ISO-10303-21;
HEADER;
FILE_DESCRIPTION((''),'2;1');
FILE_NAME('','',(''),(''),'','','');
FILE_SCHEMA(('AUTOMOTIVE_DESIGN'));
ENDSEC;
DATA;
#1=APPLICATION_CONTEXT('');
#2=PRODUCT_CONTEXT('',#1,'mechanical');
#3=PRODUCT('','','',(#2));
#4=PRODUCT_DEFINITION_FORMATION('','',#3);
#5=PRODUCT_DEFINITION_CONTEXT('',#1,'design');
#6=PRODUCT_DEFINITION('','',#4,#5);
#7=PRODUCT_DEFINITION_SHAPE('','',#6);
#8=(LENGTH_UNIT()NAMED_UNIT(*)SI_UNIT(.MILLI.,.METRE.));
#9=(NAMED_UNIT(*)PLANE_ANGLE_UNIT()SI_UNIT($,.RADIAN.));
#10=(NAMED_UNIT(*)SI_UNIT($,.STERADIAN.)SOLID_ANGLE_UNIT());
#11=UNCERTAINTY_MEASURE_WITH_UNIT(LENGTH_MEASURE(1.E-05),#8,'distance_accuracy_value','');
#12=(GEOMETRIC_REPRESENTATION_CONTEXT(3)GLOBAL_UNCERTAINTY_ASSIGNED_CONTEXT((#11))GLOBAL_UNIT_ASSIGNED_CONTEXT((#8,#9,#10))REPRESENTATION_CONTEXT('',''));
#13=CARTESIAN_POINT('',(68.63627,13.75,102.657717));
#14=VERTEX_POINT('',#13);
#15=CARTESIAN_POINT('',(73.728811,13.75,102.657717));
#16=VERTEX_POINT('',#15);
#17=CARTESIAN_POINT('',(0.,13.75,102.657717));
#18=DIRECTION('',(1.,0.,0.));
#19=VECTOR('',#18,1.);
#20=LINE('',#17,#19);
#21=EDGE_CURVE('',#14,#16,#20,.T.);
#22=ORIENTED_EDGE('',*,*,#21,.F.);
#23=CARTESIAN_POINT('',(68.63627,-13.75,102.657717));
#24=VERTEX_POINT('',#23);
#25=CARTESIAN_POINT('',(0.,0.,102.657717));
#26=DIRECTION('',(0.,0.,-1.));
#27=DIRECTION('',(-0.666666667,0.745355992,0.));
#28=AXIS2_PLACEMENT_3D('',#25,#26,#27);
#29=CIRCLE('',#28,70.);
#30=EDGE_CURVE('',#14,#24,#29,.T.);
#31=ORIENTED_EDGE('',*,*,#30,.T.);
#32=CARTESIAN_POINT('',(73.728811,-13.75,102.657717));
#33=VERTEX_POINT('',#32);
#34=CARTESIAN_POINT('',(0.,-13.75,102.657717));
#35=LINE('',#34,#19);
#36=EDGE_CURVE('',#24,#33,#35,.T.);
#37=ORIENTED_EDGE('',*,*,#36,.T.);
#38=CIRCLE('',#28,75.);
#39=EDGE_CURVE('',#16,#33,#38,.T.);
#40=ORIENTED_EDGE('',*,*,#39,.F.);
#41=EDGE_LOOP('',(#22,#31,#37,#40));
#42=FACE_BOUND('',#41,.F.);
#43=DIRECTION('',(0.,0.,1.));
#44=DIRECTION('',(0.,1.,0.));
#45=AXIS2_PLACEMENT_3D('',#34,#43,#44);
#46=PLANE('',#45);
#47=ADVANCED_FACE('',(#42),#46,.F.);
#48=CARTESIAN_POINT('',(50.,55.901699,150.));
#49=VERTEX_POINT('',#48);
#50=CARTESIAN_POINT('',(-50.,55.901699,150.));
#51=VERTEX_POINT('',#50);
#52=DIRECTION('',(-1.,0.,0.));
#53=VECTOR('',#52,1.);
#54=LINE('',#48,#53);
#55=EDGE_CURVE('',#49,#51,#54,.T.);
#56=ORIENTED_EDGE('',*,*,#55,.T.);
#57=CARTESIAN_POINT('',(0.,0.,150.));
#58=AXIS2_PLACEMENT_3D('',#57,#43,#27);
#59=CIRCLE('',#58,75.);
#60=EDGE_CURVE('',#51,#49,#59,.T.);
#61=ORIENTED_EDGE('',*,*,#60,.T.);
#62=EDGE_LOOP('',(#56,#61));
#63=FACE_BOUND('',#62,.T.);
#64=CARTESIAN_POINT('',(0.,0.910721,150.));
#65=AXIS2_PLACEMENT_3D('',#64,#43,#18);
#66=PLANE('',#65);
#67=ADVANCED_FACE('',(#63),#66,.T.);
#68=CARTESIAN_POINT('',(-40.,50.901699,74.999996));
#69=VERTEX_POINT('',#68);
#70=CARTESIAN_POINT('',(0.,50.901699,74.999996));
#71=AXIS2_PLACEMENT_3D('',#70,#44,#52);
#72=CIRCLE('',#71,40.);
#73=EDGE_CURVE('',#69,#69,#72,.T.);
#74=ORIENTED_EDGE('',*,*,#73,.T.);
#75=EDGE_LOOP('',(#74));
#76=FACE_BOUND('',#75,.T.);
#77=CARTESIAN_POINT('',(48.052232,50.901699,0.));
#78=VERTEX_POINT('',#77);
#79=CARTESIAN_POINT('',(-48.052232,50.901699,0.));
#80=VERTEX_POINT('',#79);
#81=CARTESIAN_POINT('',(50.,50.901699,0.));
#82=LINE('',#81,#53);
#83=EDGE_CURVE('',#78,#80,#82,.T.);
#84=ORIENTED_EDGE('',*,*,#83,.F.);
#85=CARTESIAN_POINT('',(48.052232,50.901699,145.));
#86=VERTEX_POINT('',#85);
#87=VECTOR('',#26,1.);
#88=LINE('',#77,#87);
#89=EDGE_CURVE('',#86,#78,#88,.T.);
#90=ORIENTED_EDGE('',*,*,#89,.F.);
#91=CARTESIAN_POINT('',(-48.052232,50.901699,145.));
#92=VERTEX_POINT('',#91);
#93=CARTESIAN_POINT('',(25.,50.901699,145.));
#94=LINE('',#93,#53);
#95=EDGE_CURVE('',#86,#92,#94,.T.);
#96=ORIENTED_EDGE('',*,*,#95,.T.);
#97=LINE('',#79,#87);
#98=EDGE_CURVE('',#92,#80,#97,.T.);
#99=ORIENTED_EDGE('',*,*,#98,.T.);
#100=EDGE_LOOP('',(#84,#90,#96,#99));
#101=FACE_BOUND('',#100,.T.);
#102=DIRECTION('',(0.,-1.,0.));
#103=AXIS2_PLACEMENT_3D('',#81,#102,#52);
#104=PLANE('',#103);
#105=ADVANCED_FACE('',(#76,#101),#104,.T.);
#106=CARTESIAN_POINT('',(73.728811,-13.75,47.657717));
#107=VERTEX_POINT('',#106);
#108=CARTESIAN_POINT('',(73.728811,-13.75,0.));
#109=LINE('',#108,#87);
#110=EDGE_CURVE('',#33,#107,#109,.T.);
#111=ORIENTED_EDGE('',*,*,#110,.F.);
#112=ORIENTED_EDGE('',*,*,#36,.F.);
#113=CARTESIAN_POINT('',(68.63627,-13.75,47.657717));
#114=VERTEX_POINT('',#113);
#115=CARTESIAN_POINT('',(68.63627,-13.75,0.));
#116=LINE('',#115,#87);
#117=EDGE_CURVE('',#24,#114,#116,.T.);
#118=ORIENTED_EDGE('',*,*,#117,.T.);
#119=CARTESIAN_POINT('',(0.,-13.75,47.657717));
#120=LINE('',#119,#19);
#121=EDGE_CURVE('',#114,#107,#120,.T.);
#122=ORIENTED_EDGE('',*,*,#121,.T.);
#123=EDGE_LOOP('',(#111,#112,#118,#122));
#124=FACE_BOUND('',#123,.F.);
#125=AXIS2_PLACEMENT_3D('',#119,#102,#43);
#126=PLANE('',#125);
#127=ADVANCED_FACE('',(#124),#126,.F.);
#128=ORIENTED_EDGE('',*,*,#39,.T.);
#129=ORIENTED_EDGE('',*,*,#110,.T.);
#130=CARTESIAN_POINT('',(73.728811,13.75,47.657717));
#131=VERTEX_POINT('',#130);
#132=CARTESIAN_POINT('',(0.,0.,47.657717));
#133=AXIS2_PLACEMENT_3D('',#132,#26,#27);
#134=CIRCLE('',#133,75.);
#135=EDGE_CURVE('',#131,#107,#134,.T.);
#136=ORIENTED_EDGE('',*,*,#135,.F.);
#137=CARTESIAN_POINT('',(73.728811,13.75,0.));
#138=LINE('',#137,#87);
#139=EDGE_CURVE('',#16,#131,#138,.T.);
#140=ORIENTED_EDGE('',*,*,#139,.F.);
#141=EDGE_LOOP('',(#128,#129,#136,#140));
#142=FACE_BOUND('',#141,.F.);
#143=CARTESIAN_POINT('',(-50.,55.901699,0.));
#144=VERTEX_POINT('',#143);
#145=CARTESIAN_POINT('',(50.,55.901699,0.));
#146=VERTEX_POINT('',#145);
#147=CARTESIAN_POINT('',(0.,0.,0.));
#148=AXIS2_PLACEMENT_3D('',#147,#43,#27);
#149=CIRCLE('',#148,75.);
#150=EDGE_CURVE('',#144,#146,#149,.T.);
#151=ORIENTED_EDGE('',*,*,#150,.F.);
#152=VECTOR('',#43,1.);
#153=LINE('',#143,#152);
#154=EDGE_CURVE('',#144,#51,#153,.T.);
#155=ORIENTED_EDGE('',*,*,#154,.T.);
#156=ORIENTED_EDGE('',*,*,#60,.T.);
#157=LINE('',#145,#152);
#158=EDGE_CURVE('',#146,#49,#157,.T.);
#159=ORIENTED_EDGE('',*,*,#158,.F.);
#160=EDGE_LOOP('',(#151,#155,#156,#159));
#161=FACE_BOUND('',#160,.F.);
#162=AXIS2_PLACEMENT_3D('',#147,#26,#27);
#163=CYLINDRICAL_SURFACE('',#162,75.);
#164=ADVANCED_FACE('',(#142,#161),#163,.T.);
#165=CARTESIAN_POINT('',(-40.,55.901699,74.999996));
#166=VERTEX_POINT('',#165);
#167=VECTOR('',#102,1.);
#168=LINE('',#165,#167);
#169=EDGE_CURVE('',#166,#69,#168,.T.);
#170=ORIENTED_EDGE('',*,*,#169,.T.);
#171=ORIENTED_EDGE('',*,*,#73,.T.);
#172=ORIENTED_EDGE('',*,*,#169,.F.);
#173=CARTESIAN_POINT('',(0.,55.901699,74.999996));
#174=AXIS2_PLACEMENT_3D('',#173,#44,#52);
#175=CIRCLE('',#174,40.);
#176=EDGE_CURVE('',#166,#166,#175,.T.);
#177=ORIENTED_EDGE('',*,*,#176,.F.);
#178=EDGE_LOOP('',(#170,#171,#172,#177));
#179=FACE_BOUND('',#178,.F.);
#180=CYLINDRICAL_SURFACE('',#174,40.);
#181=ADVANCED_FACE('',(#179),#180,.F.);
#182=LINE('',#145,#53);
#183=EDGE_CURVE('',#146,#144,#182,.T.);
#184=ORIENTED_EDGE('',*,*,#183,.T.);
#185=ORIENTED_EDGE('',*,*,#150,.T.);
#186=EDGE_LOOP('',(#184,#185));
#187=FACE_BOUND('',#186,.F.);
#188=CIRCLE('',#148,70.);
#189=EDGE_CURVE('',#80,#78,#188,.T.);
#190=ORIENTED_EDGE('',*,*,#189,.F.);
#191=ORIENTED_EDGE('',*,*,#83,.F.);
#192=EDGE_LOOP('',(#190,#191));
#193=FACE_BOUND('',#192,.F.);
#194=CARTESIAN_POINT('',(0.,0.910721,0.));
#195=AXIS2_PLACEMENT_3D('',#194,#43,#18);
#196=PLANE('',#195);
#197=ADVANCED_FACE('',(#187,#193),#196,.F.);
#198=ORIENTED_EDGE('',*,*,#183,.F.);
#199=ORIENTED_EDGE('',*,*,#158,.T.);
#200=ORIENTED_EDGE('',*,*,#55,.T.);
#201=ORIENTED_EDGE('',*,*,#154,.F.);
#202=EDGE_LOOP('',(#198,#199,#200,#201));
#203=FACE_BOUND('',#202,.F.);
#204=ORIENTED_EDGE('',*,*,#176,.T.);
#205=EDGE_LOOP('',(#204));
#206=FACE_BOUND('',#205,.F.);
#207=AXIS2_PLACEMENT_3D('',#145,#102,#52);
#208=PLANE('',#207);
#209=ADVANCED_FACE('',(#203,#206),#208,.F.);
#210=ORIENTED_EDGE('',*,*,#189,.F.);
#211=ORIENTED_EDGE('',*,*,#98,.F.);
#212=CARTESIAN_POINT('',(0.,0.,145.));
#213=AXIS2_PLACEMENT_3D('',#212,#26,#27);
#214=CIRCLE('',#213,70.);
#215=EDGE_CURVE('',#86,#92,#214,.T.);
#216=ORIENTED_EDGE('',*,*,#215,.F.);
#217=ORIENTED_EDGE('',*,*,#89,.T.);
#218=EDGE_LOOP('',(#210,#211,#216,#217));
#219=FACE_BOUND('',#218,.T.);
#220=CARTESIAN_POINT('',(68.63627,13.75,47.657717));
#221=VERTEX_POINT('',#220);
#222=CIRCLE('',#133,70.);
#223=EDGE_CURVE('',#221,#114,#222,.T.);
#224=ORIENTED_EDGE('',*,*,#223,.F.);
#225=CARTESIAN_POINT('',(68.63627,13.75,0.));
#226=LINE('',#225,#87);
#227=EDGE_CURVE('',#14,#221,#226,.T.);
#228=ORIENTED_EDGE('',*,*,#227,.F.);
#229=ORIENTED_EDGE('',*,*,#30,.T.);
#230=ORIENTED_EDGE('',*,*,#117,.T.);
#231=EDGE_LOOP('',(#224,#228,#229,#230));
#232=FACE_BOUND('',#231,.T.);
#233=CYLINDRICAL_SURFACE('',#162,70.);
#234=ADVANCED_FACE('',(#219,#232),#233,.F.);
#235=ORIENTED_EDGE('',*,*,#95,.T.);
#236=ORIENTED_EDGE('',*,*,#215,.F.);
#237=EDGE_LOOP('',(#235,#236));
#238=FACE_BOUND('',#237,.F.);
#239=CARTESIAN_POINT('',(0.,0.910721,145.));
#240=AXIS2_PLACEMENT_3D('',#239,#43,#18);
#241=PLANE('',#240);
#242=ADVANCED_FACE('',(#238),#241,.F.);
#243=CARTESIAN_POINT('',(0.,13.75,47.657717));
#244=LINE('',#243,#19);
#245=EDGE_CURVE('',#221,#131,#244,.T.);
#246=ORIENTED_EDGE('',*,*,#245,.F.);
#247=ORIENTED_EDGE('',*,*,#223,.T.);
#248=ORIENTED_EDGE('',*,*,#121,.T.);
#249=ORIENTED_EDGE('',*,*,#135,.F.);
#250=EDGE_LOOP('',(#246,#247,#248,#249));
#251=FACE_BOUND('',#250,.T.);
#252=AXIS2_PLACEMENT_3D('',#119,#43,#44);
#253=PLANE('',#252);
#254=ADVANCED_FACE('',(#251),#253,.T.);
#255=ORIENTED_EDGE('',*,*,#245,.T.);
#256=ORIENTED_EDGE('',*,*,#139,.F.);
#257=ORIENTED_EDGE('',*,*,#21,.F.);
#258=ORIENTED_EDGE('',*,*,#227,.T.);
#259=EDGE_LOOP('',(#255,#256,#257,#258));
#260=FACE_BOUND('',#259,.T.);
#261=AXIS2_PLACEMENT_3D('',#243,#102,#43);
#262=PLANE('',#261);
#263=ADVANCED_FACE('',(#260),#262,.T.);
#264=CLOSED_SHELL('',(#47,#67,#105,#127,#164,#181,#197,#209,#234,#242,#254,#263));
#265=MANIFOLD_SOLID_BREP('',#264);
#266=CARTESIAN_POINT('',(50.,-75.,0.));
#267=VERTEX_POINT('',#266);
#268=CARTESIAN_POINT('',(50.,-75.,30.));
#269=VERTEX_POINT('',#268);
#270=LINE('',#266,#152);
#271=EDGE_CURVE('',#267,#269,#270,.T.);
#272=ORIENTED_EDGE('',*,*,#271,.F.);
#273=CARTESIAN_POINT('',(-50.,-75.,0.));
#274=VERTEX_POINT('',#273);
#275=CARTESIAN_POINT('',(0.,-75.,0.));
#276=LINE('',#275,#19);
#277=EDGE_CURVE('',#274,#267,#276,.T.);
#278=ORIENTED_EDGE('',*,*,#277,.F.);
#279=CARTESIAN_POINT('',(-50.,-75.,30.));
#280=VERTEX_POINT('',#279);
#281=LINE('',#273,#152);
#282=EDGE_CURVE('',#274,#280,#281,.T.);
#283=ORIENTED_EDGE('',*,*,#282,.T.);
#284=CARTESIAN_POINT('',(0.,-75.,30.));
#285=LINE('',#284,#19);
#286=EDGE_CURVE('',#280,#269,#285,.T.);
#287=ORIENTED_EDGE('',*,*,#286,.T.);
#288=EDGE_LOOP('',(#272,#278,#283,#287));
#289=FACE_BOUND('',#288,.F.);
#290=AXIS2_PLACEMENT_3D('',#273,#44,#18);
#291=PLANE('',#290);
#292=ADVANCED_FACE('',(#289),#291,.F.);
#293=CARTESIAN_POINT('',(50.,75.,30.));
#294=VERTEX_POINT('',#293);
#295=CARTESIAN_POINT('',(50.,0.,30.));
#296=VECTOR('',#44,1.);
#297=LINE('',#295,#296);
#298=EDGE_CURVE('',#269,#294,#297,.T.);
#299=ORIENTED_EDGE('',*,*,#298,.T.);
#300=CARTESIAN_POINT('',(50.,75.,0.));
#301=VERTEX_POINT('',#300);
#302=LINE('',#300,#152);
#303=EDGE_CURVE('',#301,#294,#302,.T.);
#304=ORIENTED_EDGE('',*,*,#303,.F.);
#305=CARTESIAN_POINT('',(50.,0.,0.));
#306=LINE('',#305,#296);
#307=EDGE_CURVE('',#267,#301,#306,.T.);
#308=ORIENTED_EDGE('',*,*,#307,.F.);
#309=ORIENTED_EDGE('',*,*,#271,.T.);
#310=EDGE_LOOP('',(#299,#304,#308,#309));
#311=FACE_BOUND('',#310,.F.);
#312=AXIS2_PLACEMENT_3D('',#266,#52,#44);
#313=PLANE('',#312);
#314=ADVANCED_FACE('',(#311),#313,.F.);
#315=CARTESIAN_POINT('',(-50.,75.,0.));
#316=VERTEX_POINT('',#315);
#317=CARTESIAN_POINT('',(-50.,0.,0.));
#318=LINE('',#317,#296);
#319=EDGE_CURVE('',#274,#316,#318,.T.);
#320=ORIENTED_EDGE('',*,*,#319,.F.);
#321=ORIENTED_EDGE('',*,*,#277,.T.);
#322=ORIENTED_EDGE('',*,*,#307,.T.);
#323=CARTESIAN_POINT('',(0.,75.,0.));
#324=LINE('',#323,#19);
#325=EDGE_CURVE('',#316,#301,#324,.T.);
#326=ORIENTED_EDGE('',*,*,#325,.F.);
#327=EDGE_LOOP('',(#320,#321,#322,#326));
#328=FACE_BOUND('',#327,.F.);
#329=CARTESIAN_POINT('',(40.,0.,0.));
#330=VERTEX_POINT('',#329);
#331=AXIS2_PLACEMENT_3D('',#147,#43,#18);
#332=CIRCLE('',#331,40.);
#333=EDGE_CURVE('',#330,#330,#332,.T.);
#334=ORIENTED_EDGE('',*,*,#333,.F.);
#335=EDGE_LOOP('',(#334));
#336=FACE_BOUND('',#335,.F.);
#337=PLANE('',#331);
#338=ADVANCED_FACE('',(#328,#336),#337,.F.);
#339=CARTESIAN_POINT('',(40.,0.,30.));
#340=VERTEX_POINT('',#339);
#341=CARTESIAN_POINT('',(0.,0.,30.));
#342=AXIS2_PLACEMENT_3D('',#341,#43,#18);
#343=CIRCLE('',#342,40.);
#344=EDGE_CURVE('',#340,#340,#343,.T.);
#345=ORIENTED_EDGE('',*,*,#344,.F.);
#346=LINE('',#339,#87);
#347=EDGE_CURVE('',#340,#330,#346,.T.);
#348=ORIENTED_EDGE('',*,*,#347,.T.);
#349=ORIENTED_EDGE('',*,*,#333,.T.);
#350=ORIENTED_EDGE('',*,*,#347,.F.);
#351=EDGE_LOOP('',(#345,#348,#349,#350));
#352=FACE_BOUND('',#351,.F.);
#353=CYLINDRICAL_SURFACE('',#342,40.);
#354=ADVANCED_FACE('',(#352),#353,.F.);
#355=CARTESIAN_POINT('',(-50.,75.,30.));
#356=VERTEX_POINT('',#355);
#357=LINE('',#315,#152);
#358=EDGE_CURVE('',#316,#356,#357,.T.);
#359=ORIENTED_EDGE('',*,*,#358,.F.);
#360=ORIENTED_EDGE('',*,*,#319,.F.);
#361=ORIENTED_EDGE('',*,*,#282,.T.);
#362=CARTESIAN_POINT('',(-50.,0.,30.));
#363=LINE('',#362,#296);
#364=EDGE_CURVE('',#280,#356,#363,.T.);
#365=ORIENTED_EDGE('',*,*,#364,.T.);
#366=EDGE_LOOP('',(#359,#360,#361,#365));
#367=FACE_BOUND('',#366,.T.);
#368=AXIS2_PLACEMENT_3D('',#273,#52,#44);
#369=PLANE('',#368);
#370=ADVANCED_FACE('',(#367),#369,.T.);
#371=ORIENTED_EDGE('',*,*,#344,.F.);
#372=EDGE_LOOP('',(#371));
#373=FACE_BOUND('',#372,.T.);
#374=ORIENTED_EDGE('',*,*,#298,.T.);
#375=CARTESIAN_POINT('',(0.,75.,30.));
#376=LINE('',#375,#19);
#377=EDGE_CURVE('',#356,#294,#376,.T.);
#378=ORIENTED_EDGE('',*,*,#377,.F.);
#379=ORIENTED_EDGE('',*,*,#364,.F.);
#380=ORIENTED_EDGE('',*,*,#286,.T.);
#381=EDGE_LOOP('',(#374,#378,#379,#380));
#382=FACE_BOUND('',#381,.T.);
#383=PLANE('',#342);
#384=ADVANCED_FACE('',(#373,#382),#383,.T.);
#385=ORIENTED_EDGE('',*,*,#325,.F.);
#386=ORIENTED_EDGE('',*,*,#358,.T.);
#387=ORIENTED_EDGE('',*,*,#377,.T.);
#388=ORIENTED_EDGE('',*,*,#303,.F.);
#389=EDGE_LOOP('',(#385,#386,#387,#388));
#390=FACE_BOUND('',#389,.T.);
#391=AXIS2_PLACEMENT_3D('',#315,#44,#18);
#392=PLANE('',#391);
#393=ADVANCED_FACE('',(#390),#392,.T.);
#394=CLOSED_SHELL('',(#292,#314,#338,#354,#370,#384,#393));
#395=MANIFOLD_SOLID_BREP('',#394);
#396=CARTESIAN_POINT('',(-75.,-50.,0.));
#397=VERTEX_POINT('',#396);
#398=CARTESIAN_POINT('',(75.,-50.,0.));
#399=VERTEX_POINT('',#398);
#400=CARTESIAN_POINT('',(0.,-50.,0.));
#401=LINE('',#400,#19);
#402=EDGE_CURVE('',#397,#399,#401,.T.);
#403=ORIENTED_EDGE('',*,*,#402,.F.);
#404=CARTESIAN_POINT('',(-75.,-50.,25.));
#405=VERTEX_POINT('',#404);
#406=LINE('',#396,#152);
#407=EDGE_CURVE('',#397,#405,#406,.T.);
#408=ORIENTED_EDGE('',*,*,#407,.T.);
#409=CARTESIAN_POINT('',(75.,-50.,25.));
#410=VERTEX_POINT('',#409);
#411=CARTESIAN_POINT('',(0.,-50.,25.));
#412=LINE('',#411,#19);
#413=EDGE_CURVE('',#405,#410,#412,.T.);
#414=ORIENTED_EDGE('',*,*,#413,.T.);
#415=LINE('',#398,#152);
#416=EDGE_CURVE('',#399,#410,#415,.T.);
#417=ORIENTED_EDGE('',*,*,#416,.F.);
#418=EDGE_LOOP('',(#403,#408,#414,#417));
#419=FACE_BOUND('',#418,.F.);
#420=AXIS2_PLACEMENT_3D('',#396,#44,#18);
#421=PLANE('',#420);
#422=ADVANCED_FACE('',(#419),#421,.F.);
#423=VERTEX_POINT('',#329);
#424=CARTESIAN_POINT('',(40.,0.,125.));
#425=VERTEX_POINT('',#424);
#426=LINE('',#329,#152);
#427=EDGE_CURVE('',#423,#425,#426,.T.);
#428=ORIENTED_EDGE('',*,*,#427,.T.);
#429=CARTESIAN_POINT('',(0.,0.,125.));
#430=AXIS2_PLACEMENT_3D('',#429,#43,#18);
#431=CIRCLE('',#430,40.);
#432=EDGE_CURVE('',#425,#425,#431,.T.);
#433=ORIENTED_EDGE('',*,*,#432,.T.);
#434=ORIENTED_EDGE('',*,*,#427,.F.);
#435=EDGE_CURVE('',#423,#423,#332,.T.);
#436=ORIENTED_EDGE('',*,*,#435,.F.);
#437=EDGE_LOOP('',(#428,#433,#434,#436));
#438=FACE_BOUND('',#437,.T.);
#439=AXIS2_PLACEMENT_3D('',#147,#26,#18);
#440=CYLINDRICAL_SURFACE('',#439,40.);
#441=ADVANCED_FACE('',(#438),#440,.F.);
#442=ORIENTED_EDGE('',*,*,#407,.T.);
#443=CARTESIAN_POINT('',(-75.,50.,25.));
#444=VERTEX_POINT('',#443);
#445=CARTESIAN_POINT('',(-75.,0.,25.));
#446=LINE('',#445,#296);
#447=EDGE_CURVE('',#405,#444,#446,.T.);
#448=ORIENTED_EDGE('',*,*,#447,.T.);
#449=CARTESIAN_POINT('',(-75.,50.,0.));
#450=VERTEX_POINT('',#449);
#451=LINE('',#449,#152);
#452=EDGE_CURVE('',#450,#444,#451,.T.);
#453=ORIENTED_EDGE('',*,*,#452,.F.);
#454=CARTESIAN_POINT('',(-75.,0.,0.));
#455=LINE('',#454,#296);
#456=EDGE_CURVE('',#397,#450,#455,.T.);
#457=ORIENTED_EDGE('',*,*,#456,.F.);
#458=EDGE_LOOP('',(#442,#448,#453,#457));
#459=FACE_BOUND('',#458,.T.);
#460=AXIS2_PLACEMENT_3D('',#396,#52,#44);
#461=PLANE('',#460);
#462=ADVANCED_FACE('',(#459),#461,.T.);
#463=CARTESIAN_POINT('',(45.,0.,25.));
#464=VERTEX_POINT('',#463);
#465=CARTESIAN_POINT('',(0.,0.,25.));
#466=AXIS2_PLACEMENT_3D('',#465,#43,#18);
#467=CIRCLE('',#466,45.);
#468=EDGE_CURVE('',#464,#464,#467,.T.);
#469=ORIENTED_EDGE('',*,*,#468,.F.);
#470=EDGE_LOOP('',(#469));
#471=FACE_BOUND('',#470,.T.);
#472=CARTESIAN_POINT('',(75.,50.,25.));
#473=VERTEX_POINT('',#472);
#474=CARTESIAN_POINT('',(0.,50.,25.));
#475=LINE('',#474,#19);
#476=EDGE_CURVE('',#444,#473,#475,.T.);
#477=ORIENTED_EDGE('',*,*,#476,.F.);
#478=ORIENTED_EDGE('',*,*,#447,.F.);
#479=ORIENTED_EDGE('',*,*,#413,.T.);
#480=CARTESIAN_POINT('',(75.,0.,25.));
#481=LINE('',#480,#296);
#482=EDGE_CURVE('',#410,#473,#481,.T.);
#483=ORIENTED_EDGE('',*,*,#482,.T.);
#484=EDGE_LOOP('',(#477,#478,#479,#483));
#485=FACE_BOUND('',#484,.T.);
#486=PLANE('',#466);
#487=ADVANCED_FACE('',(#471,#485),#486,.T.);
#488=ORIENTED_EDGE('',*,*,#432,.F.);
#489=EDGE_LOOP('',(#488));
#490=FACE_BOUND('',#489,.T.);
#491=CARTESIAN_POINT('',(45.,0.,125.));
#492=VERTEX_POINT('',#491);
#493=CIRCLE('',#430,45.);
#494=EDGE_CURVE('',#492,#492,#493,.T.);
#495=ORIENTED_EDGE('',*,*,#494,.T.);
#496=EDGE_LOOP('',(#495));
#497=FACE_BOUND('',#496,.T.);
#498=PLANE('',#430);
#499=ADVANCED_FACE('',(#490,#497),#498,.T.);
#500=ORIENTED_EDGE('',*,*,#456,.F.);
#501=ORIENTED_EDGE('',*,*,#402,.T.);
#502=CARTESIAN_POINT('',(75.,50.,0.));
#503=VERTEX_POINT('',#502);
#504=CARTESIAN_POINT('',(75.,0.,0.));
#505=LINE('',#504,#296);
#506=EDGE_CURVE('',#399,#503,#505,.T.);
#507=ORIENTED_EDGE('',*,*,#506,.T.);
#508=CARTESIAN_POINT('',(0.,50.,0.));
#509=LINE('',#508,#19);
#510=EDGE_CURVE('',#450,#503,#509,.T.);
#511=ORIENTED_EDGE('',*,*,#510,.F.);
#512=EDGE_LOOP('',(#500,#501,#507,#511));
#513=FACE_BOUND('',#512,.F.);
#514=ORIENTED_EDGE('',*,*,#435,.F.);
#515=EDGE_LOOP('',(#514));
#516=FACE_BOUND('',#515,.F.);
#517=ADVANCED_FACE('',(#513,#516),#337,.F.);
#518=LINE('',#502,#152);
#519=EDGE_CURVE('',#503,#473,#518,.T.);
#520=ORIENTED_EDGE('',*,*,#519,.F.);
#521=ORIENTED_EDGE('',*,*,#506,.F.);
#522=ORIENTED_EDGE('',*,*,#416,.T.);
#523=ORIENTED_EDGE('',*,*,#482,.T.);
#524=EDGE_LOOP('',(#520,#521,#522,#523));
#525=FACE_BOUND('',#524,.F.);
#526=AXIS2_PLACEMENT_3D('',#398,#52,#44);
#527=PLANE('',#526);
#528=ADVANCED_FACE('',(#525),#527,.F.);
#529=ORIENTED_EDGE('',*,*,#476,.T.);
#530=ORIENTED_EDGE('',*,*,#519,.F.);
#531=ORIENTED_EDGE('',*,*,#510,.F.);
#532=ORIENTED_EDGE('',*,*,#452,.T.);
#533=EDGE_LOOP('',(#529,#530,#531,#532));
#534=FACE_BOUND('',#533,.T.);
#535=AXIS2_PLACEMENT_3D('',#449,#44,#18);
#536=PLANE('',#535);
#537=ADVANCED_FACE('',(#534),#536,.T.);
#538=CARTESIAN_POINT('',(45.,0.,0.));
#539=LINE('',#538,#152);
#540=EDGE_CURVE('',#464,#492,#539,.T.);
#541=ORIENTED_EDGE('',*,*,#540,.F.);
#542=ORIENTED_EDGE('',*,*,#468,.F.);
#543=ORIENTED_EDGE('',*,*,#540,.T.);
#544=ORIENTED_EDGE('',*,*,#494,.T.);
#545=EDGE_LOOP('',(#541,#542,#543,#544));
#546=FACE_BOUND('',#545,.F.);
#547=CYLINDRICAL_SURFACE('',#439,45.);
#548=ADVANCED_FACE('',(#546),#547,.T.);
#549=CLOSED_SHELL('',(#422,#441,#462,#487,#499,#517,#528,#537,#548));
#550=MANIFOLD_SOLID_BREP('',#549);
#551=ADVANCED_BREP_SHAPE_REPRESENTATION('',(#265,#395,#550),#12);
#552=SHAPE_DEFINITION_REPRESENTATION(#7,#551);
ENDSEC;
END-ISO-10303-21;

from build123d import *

# Parameters (mm, degrees)
F1_DEPTH  = 150
F2_T      = -5
F4_DEPTH  = 25
F5_W      = 100
F5_H      = 150
F6_DEPTH  = 30
F7_R      = 40
F8_DEPTH  = 30
F9_W      = 27.5
F9_H      = 55
F10_DEPTH = 100
F11_W     = 150
F11_H     = 100
F11_R     = 45
F12_DEPTH = 25
F11_R_2   = 40
F13_DEPTH = 125


with BuildPart() as f1:
    # F0 (on Top) → F1 (new body)
    with BuildSketch(Plane.XY):
        with BuildLine():
            Line((50, 55.9016994375), (-50, 55.9016994375))
            ThreePointArc((-50, 55.9016994375), (0, -75), (50, 55.9016994375))
        make_face()
    extrude(amount=F1_DEPTH)

    # F2
    f2_openings = [f1.faces().sort_by_distance(p)[0] for p in [
        (0, -5.093156, 0),
    ]]
    offset(amount=F2_T, openings=f2_openings)

    # F3 (on face) → F4 (cut)
    with BuildSketch(Plane(origin=(0, 55.9016994375, 0), x_dir=(-1, 0, 0), z_dir=(0, 1, 0))):
        with BuildLine():
            ThreePointArc((0, 114.9999955297), (-28.2842712475, 46.7157242822), (40, 74.9999955297))
            ThreePointArc((40, 74.9999955297), (28.2842712475, 103.2842667771), (0, 114.9999955297))
        make_face()
    extrude(amount=-F4_DEPTH, mode=Mode.SUBTRACT)

    # F9 (on Right) → F10 (cut)
    with BuildSketch(Plane.YZ):
        with Locations((0, 75.1577168703)):
            Rectangle(F9_W, F9_H)
    extrude(amount=F10_DEPTH, mode=Mode.SUBTRACT)


with BuildPart() as f6:
    # F5 (on Top) → F6 (new body)
    with BuildSketch(Plane.XY):
        Rectangle(F5_W, F5_H)
    extrude(amount=F6_DEPTH)

    # F7 (on face) → F8 (cut)
    with BuildSketch(Plane.XY.offset(30)):
        Circle(F7_R)
    extrude(amount=-F8_DEPTH, mode=Mode.SUBTRACT)


with BuildPart() as f12:
    # F11 (on Top) → F12 (new body)
    with BuildSketch(Plane.XY):
        Rectangle(F11_W, F11_H)
        Circle(F11_R, mode=Mode.SUBTRACT)
    extrude(amount=F12_DEPTH)

    # F11 (on Top) → F13 (join)
    with BuildSketch(Plane.XY):
        Circle(F11_R)
        Circle(F11_R_2, mode=Mode.SUBTRACT)
    extrude(amount=F13_DEPTH)


solid = Compound([f1.part, f6.part, f12.part])
